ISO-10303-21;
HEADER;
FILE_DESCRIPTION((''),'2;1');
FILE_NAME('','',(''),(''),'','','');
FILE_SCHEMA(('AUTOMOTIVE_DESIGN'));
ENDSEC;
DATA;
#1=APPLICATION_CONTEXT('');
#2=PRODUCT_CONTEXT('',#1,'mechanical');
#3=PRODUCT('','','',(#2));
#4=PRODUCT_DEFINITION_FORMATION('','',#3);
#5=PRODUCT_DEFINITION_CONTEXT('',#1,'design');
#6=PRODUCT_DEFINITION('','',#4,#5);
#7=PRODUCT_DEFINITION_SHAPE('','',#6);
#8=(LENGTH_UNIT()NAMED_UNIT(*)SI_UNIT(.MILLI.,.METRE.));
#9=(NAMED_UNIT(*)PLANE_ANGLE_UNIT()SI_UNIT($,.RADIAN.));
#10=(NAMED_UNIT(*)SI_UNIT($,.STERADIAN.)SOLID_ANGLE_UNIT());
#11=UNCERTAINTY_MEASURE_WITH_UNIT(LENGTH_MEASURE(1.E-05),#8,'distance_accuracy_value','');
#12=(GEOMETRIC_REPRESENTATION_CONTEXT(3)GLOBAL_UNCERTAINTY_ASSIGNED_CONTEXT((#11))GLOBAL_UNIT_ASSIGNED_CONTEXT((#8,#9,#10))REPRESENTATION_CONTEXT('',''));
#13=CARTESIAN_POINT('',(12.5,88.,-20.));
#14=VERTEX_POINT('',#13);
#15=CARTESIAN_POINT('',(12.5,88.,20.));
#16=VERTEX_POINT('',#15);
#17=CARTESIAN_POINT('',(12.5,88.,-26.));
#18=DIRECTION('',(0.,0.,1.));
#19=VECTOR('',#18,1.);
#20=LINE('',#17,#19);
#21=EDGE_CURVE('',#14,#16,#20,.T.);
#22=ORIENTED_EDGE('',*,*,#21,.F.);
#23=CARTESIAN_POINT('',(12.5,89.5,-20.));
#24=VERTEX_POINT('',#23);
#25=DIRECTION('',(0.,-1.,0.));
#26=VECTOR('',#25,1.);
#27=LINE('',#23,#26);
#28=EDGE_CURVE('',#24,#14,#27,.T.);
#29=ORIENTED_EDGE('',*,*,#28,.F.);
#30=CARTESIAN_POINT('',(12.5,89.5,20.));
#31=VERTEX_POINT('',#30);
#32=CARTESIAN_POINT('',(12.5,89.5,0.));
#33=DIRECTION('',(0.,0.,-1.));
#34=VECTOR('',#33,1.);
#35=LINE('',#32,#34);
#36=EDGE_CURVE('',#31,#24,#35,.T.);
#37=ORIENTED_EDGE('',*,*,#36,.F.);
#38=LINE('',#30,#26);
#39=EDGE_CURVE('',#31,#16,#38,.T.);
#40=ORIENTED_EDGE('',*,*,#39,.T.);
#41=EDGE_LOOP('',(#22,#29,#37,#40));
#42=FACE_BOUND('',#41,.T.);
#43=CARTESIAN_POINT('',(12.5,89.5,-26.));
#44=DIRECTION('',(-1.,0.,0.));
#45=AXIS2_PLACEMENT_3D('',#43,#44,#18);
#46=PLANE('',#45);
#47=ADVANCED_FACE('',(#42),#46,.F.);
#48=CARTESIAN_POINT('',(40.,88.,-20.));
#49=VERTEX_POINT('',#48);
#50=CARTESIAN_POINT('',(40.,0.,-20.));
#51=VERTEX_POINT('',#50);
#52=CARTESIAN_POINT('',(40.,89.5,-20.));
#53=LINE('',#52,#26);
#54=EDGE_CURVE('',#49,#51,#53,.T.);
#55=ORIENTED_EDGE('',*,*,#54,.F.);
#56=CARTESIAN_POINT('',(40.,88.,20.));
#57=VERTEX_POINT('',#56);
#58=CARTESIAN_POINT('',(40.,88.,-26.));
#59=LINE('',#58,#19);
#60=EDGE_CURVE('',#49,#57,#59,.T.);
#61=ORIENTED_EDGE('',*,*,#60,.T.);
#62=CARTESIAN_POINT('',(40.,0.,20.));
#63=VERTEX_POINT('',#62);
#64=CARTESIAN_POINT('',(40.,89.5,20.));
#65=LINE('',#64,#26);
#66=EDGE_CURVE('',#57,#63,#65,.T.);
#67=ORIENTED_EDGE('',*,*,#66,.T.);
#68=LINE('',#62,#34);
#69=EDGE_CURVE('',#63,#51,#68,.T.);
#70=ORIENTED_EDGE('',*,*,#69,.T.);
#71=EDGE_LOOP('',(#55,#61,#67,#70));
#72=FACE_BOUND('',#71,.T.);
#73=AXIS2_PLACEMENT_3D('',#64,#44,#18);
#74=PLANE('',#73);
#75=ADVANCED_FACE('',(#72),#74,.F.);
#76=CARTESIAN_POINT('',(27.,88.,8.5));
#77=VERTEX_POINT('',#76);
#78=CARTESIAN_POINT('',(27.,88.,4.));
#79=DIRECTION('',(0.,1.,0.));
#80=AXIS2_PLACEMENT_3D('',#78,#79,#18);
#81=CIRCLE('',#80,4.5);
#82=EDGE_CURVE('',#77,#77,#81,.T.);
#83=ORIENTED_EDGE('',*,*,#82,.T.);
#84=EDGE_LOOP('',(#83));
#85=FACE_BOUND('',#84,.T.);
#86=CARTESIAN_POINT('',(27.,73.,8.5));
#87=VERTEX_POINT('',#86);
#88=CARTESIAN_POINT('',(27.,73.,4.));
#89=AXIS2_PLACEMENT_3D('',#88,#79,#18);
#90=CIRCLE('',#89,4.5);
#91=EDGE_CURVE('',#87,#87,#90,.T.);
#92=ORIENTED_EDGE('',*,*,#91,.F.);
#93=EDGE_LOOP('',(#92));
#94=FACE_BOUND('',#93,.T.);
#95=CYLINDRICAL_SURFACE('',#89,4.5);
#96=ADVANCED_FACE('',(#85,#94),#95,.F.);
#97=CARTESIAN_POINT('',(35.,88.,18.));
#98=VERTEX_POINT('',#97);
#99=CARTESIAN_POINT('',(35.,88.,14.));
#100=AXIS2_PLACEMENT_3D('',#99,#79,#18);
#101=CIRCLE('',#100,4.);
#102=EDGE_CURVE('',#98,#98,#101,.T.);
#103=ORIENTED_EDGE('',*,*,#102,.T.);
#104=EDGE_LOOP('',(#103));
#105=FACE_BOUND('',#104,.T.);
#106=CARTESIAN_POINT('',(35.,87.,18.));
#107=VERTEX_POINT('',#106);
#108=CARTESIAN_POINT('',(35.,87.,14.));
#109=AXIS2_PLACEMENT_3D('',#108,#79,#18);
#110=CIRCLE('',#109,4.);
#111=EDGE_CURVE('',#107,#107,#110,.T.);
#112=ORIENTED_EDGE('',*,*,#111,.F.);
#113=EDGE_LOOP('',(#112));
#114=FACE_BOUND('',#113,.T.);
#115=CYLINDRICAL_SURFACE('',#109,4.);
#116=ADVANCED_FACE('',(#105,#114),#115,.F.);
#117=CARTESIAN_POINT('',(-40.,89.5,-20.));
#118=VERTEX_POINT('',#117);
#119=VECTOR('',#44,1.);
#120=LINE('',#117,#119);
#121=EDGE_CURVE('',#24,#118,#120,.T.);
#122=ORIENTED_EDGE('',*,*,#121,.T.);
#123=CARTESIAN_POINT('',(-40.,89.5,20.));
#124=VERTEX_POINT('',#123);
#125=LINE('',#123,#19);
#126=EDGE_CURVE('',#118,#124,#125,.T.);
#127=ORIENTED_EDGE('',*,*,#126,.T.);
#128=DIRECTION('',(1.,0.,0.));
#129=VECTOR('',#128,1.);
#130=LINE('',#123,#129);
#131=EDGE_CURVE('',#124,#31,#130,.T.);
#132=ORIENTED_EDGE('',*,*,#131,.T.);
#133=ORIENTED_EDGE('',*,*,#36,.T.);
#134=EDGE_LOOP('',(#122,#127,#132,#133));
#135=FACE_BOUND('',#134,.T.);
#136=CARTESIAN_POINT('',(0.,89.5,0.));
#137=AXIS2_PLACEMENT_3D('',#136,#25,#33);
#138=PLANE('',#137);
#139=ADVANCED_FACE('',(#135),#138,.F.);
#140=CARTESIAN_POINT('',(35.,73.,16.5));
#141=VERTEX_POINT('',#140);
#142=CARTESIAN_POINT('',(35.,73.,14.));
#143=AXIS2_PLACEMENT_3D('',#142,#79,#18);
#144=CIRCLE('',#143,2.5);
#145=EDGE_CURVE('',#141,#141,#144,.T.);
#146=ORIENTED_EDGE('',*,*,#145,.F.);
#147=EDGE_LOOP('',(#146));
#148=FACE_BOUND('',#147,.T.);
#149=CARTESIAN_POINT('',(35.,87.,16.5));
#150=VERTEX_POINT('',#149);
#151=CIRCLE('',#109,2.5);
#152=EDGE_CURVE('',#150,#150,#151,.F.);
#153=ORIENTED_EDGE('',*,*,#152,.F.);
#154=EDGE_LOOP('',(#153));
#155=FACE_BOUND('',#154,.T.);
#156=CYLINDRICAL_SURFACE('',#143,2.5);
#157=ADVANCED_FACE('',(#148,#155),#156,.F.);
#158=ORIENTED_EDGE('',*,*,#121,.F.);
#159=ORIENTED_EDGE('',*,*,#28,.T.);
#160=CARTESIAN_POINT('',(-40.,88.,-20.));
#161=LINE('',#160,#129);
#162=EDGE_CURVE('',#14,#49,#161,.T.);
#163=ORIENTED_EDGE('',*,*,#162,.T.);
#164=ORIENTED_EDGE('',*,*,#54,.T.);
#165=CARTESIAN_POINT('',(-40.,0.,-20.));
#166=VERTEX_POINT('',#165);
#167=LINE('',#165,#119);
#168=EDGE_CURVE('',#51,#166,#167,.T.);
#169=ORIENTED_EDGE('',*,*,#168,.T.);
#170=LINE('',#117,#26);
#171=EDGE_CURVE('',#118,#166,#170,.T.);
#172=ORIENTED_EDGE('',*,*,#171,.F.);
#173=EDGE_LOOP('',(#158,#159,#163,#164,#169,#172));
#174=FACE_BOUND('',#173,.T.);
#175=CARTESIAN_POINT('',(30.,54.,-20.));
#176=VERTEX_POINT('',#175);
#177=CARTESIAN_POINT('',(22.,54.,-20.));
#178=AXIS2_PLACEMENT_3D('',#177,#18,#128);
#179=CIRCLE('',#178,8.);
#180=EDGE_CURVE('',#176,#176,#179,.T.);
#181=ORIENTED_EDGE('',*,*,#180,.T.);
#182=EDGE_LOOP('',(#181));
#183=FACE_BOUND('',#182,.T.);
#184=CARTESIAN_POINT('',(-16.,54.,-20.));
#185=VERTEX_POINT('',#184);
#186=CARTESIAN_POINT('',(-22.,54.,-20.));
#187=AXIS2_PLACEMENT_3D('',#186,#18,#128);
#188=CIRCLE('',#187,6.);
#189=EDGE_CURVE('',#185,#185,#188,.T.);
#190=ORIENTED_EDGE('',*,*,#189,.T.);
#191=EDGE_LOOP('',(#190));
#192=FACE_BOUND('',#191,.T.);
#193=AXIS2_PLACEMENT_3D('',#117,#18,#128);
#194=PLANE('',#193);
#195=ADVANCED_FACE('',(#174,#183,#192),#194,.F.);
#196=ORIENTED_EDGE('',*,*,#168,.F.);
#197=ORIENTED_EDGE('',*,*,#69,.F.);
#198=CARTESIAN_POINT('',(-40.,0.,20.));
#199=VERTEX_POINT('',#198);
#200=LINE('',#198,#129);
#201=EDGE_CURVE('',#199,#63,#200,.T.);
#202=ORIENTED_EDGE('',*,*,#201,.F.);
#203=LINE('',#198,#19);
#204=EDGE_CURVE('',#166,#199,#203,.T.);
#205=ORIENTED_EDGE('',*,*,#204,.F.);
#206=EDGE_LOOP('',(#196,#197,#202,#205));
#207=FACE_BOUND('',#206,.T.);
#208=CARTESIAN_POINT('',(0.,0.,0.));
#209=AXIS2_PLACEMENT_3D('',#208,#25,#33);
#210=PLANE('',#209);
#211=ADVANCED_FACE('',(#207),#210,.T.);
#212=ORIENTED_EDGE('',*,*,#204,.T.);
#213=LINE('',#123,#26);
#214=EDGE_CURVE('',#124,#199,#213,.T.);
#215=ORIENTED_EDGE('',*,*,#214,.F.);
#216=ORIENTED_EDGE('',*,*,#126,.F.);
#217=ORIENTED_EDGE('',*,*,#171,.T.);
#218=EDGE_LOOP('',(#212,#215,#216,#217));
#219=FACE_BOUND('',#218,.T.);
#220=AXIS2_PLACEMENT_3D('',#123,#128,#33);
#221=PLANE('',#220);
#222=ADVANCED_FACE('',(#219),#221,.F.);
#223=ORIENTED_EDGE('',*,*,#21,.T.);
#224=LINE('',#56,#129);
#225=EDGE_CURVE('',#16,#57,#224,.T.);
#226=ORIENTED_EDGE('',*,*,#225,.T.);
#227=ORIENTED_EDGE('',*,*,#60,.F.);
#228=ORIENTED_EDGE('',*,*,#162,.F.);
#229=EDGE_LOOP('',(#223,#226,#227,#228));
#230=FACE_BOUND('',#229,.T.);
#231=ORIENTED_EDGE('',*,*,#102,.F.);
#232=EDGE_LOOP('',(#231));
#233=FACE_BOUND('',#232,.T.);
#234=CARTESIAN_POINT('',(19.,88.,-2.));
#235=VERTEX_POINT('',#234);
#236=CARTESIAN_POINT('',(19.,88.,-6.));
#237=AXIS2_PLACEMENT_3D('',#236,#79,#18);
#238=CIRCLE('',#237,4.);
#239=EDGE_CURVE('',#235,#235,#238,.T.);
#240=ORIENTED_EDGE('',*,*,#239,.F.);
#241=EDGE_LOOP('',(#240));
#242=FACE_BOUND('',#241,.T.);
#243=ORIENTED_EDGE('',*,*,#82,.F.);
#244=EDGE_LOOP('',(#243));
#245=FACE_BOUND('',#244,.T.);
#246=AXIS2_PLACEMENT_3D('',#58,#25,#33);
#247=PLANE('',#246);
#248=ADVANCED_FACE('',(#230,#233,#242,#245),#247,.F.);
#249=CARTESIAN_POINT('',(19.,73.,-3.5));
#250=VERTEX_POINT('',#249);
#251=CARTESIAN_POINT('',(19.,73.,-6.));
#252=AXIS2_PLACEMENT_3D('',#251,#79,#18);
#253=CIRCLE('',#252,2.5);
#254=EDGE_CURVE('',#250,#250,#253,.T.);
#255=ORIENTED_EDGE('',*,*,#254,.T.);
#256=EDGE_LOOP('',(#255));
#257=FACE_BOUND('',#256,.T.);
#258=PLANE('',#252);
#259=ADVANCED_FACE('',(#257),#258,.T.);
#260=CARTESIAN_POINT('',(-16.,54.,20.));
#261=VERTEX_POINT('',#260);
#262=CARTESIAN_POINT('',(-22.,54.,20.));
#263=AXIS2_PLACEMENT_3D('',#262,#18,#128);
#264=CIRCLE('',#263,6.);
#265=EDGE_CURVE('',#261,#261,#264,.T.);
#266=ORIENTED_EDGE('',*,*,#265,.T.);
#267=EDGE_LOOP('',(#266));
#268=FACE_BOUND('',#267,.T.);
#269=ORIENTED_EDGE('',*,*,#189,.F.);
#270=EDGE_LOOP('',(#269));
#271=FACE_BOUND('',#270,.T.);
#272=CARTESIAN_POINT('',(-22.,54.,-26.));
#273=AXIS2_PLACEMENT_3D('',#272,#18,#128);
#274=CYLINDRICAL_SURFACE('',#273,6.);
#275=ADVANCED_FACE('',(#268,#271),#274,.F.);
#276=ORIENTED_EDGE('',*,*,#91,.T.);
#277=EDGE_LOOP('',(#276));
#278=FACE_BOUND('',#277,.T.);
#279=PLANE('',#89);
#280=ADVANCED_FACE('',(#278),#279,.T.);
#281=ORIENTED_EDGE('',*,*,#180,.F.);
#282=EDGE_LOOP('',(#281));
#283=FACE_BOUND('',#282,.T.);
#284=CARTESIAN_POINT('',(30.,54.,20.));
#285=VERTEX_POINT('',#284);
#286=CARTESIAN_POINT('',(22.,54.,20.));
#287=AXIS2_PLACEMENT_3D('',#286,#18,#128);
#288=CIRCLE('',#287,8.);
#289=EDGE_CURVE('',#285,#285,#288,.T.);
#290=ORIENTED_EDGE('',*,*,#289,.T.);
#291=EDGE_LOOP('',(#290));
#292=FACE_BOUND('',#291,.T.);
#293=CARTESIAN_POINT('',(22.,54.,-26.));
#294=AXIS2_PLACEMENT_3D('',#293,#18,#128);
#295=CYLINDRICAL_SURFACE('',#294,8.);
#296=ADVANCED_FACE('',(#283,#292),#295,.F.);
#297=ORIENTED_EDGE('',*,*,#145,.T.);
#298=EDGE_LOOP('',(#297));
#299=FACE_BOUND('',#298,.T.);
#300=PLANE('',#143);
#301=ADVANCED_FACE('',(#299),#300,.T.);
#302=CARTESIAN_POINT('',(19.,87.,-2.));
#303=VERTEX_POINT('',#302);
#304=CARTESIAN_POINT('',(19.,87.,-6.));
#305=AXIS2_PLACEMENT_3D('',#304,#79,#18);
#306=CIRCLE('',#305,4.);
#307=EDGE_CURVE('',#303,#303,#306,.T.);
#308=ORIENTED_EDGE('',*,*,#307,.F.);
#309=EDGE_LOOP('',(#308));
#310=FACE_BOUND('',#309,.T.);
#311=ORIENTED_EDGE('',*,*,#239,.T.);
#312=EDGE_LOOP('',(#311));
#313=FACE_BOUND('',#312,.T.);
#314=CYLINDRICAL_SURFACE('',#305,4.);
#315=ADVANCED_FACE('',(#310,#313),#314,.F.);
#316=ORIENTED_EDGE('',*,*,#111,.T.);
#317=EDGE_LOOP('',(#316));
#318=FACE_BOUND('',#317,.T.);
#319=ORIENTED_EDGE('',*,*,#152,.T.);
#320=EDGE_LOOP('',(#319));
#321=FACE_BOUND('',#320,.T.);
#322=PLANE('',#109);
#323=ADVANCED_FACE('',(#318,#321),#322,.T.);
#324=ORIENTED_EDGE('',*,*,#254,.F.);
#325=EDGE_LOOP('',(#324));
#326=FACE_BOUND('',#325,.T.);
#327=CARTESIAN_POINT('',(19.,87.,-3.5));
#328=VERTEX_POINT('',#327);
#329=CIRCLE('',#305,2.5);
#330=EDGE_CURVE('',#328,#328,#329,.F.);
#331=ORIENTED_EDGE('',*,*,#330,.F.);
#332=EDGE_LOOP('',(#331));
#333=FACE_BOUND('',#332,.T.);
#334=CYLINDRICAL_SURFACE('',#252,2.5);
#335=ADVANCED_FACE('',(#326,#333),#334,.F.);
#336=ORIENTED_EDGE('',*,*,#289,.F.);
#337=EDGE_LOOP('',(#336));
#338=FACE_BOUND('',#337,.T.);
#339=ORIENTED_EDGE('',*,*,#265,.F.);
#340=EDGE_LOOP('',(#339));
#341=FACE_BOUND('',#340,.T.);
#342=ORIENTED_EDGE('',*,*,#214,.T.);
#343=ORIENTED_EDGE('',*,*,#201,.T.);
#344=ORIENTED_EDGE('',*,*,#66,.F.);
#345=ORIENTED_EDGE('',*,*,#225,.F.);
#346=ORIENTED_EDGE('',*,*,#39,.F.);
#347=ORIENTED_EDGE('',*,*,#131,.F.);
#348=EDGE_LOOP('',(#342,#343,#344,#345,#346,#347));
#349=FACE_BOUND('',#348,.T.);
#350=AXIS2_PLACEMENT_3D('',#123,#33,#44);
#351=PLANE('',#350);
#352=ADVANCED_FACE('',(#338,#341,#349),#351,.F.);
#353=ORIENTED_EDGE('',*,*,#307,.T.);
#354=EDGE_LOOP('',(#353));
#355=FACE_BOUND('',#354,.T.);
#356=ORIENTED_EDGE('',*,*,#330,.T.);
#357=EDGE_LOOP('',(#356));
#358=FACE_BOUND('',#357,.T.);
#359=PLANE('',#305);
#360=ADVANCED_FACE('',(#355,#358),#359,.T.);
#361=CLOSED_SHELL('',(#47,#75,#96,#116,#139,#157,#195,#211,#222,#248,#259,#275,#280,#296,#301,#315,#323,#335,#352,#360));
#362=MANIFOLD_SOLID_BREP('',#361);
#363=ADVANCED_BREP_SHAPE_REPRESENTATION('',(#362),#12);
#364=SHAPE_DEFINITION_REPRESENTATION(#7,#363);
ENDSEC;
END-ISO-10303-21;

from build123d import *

# Parameters (mm, degrees)
SKETCH_1_W          = 80
SKETCH_1_H          = 40
EXTRUDE_1_DEPTH     = 89.5
SKETCH_2_W          = 27.5
SKETCH_2_H          = 1.5
CUT_EXTRUDE_1_DEPTH = 46
SKETCH_3_R          = 6
SKETCH_3_R_2        = 8
CUT_EXTRUDE_2_DEPTH = 46
SKETCH_4_R          = 2.5
SKETCH_4_R_2        = 4.5
CUT_EXTRUDE_3_DEPTH = 15
SKETCH_5_R          = 4
CUT_EXTRUDE_4_DEPTH = 1


with BuildPart() as part:
    # 草图1 → 凸台-拉伸1 (new body)
    with BuildSketch(Plane(origin=(0, 0, 0), x_dir=(1, 0, 0), z_dir=(0, 1, 0))):
        Rectangle(SKETCH_1_W, SKETCH_1_H)
    extrude(amount=EXTRUDE_1_DEPTH)

    # 草图2 → 切除-拉伸1 (cut)
    with BuildSketch(Plane.XY.offset(20)):
        with Locations((26.25, 88.75)):
            Rectangle(SKETCH_2_W, SKETCH_2_H)
    extrude(amount=-CUT_EXTRUDE_1_DEPTH, mode=Mode.SUBTRACT)

    # 草图3 → 切除-拉伸2 (cut)
    with BuildSketch(Plane.XY.offset(20)):
        with Locations((-22, 54)):
            Circle(SKETCH_3_R)
        with Locations((22, 54)):
            Circle(SKETCH_3_R_2)
    extrude(amount=-CUT_EXTRUDE_2_DEPTH, mode=Mode.SUBTRACT)

    # 草图4 → 切除-拉伸3 (cut)
    with BuildSketch(Plane(origin=(0, 88, 0), x_dir=(1, 0, 0), z_dir=(0, 1, 0))):
        with Locations(Location((35, -14, 0), (0, 0, 270))):
            Circle(SKETCH_4_R)
        with Locations(Location((19, 6, 0), (0, 0, 270))):
            Circle(SKETCH_4_R)
        with Locations(Location((27, -4, 0), (0, 0, 270))):
            Circle(SKETCH_4_R_2)
    extrude(amount=-CUT_EXTRUDE_3_DEPTH, mode=Mode.SUBTRACT)

    # 草图5 → 切除-拉伸4 (cut)
    with BuildSketch(Plane(origin=(0, 88, 0), x_dir=(1, 0, 0), z_dir=(0, 1, 0))):
        with Locations(Location((19, 6, 0), (0, 0, 270))):
            Circle(SKETCH_5_R)
        with Locations(Location((35, -14, 0), (0, 0, 270))):
            Circle(SKETCH_5_R)
    extrude(amount=-CUT_EXTRUDE_4_DEPTH, mode=Mode.SUBTRACT)


solid = part.part
